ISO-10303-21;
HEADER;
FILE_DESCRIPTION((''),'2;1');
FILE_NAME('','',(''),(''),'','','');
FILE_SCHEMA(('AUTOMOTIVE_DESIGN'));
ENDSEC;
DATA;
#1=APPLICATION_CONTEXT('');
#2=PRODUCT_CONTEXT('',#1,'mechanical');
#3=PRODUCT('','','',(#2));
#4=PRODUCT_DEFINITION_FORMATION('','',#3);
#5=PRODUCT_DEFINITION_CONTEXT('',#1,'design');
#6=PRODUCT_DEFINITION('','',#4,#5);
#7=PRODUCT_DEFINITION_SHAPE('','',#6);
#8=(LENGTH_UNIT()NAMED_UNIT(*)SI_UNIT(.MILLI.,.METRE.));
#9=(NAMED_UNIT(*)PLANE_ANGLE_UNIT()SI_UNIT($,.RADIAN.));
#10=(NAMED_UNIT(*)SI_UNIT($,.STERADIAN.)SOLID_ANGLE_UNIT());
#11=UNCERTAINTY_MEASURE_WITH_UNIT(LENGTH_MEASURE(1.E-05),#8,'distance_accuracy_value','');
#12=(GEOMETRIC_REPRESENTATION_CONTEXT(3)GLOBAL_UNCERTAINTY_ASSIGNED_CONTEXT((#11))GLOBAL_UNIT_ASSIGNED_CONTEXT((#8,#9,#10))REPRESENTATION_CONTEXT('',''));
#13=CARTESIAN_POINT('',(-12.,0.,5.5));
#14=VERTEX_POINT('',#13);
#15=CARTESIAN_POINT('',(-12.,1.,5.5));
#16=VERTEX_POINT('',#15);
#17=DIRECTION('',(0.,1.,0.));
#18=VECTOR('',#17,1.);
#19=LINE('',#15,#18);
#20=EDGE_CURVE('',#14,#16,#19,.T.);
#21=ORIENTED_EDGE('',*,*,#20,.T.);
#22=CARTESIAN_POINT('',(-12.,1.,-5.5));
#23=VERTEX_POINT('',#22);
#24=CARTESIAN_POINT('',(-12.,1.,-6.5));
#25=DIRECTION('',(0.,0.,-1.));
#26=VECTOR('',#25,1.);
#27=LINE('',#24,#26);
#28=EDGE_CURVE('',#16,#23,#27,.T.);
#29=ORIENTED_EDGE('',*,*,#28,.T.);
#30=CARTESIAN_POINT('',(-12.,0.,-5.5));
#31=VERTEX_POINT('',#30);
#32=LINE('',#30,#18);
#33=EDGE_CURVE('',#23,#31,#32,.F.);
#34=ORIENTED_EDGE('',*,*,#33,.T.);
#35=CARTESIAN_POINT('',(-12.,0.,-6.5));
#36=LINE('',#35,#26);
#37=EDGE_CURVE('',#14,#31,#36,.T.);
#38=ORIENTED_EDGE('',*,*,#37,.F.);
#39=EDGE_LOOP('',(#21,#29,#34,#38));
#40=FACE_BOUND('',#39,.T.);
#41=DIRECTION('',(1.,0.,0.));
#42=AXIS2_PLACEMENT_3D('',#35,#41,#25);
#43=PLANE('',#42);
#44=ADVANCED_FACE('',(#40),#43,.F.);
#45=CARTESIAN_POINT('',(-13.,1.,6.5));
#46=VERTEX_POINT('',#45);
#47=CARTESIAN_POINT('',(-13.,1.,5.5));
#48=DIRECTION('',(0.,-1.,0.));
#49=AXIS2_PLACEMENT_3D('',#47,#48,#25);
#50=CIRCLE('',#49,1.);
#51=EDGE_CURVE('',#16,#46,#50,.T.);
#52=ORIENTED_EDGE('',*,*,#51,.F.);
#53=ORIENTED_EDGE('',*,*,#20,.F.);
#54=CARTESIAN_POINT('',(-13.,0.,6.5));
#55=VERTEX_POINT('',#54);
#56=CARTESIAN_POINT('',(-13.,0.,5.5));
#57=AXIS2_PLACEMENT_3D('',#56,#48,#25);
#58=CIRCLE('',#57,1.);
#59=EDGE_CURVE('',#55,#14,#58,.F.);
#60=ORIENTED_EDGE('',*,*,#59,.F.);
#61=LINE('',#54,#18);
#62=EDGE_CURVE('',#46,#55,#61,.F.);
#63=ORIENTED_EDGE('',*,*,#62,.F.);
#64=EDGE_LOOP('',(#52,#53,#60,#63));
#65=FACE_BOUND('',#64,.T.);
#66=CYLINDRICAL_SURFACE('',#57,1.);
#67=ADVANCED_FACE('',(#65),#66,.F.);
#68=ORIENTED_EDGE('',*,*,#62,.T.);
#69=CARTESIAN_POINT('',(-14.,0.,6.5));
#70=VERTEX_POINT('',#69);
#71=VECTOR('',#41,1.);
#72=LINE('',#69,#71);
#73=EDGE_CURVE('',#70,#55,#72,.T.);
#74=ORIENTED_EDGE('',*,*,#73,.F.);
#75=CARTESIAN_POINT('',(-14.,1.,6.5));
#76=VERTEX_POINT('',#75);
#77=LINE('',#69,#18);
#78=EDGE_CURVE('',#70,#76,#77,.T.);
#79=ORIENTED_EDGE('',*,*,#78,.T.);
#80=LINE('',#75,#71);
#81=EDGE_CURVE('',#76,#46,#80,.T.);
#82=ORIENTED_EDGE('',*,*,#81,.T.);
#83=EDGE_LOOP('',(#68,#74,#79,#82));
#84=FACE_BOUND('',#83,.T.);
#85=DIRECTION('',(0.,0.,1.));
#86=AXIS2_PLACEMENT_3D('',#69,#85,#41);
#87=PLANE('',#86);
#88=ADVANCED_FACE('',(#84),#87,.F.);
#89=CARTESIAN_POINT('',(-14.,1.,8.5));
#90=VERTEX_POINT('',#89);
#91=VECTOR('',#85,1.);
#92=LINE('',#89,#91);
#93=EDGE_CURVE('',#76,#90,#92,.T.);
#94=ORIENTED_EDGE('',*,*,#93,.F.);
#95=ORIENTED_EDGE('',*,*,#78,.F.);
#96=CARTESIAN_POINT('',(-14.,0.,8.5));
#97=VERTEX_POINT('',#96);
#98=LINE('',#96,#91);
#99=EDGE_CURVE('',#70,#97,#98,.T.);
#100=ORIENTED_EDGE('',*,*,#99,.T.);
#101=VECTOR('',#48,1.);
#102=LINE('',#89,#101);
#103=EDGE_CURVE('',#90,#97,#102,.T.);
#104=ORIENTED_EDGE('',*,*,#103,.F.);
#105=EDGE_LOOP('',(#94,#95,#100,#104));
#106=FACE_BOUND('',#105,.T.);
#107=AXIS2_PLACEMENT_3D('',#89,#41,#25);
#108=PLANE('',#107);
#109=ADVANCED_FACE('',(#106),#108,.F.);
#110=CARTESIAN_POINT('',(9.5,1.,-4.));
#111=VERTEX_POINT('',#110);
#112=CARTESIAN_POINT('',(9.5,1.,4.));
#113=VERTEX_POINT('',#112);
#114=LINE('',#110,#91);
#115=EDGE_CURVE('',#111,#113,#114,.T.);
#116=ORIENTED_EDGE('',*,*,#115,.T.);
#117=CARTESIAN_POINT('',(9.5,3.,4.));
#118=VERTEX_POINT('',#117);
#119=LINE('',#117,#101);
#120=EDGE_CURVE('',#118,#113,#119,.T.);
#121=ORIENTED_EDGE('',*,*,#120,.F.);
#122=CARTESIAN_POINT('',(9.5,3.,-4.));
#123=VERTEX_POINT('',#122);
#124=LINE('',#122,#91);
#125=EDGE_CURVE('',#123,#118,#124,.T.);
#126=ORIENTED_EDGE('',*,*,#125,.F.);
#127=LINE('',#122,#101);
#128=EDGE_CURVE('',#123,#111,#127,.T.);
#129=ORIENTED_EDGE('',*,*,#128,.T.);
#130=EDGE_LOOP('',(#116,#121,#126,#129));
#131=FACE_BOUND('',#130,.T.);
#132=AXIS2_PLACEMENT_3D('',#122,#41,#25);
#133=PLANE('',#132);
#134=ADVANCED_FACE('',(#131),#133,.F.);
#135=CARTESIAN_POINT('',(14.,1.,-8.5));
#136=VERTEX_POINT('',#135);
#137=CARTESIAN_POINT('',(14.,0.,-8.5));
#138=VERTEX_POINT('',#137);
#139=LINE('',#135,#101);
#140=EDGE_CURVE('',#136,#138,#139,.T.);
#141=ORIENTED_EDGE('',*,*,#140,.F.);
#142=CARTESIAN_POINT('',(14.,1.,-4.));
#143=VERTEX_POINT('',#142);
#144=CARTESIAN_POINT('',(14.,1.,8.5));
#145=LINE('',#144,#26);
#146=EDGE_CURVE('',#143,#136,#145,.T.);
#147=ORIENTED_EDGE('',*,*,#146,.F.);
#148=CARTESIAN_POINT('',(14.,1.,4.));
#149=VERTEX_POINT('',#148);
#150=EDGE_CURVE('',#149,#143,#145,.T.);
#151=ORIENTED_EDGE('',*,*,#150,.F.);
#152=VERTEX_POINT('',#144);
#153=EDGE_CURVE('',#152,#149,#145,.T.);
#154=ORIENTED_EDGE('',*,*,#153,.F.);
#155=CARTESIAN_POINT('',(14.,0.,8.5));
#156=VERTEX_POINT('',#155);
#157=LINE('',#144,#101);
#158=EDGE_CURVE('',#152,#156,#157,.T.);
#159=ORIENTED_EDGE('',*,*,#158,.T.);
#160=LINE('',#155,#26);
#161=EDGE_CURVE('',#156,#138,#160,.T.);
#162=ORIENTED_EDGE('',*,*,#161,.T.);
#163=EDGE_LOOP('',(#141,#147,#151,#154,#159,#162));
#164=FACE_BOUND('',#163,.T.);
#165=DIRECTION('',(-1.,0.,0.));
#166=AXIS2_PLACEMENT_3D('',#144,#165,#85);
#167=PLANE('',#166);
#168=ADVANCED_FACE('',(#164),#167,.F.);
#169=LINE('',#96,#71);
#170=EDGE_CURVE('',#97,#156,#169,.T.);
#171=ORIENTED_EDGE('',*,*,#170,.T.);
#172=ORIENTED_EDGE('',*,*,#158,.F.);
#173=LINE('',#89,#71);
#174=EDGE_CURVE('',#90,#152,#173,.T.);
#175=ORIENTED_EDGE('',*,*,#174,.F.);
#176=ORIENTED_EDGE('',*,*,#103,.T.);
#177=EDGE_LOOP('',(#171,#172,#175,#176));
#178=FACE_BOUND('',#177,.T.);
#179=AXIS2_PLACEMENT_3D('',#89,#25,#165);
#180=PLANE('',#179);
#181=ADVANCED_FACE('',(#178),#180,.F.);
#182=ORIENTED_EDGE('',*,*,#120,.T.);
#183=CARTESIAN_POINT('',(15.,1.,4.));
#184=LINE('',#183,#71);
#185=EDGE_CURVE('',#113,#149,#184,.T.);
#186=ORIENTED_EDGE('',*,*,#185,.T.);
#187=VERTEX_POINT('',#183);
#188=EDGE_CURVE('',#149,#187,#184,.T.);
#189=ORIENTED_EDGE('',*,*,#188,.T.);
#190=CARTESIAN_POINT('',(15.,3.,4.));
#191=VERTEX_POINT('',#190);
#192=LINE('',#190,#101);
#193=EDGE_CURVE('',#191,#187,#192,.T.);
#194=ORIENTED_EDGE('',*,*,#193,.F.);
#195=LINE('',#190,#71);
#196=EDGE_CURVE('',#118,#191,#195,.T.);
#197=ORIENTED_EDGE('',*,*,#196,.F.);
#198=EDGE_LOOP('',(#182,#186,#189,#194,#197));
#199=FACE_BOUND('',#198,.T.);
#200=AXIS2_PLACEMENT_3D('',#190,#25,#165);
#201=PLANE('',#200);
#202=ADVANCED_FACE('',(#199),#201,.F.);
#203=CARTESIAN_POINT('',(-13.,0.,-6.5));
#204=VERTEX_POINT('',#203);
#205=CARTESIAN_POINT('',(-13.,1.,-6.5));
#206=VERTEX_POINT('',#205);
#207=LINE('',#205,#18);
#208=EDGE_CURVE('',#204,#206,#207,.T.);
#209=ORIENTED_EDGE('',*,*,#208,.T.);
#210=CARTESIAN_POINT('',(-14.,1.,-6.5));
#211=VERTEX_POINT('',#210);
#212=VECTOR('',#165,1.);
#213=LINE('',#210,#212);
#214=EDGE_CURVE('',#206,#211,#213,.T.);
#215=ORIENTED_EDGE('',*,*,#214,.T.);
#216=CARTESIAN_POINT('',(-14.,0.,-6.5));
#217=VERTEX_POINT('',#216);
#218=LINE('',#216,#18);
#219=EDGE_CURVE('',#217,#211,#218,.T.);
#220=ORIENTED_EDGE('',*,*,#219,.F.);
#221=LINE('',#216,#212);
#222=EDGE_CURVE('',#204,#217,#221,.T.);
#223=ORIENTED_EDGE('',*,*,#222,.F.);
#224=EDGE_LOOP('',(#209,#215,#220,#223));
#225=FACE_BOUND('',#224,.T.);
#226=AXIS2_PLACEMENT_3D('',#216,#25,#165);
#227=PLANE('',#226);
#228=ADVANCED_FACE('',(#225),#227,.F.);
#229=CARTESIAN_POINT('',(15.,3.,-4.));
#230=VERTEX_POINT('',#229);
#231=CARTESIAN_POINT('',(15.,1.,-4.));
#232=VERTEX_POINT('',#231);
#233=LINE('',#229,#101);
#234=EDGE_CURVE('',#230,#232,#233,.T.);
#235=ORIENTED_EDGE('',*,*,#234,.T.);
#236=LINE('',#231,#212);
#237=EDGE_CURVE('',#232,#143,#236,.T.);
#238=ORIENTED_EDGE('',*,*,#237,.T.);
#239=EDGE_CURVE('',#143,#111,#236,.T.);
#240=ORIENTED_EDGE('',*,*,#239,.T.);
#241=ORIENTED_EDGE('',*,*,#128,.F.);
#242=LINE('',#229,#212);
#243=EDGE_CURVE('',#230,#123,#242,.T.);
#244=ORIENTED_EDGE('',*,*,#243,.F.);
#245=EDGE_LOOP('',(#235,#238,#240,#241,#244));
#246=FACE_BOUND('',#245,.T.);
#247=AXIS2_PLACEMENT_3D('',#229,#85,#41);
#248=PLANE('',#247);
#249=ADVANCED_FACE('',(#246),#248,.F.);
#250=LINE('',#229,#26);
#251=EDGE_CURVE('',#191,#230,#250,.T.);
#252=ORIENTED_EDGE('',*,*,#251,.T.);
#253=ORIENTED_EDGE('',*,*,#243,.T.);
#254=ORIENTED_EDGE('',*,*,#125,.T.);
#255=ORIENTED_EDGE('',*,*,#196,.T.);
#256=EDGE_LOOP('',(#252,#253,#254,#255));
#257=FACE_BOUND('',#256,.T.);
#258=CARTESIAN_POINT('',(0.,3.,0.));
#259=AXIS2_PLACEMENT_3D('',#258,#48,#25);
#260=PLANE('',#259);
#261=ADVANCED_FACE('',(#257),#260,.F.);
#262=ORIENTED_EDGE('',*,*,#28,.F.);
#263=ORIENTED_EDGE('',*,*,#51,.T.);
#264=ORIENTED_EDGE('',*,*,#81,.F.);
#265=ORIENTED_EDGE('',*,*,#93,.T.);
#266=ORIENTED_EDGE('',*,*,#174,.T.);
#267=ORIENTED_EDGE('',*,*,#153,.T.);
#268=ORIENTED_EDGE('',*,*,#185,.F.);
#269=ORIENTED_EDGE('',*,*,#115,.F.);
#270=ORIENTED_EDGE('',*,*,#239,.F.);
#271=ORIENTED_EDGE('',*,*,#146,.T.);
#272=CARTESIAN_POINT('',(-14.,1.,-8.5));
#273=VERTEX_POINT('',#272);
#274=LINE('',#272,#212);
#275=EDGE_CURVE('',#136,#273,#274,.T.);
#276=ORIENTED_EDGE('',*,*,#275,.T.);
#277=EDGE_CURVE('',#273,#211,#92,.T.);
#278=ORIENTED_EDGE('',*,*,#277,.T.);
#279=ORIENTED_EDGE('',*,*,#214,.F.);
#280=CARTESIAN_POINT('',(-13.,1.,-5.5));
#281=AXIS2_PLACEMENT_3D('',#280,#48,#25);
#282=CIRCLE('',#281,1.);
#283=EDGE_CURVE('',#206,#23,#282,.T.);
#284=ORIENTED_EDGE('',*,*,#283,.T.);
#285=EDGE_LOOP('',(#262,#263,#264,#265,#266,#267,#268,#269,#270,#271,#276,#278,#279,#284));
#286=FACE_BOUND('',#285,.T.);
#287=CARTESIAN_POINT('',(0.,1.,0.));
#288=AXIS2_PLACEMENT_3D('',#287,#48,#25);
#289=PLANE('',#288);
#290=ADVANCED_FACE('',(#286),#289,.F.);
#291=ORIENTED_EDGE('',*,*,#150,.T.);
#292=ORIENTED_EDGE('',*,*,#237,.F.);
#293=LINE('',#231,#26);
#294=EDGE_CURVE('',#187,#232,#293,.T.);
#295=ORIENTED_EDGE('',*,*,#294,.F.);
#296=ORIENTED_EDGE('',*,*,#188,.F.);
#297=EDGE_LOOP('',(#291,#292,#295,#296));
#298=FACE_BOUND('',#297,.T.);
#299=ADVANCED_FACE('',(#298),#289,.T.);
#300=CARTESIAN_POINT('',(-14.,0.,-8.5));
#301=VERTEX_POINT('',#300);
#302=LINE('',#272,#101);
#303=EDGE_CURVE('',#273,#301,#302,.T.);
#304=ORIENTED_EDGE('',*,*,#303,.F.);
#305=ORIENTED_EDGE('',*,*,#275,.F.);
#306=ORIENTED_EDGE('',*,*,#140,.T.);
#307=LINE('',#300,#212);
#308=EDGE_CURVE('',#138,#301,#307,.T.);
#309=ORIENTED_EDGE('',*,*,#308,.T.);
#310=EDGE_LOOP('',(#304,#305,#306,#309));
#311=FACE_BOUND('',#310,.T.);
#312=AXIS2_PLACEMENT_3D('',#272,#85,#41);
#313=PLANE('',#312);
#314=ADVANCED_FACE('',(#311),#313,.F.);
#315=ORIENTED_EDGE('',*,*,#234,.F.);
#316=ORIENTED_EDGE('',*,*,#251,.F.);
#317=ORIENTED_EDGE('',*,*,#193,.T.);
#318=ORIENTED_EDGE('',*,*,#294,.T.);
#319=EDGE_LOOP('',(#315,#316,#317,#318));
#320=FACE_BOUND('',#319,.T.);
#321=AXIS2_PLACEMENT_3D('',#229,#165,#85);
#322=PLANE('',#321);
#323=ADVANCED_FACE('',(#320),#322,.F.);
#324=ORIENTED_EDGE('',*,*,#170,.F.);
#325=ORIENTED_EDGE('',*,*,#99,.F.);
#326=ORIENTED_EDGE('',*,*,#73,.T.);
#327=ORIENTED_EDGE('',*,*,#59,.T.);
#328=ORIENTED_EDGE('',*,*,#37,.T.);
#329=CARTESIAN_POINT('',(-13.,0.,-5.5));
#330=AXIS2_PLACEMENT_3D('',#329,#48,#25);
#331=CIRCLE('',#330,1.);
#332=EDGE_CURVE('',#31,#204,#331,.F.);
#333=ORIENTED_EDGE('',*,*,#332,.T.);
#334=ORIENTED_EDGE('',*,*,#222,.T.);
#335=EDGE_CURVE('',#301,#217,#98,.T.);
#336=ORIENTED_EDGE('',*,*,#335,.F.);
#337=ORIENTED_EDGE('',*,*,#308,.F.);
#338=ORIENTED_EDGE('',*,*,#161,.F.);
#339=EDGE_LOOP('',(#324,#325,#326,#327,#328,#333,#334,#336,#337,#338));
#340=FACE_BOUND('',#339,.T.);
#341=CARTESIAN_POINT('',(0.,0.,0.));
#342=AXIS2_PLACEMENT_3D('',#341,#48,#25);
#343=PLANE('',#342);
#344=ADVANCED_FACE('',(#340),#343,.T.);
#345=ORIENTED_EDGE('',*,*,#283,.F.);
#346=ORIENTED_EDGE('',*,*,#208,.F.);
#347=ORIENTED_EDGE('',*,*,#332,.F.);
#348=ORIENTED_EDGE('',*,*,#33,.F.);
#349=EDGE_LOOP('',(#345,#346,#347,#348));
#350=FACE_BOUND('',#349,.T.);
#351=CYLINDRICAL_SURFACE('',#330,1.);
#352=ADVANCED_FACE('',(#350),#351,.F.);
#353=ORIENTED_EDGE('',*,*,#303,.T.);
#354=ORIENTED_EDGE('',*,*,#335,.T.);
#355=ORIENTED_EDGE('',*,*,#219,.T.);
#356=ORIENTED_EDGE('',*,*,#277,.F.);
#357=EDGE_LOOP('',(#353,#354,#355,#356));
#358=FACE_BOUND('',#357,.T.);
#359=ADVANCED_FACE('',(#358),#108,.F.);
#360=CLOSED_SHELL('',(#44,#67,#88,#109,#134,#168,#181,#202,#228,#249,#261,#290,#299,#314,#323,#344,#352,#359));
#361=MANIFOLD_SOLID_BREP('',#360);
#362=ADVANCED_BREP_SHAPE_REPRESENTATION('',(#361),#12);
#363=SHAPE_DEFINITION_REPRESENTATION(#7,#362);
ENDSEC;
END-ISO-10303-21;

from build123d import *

# Parameters (mm, degrees)
SKETCH1_W           = 28
SKETCH1_H           = 17
BOSS_EXTRUDE1_DEPTH = 1
SKETCH2_W           = 5.5
SKETCH2_H           = 8
BOSS_EXTRUDE2_DEPTH = 2
SKETCH3_W           = 2
SKETCH3_H           = 13
CUT_EXTRUDE1_DEPTH  = 18.356554958
FILLET1_R           = 1


with BuildPart() as part:
    # Sketch1 → Boss-Extrude1 (new body)
    with BuildSketch(Plane(origin=(0, 0, 0), x_dir=(1, 0, 0), z_dir=(0, 1, 0))):
        Rectangle(SKETCH1_W, SKETCH1_H)
    extrude(amount=BOSS_EXTRUDE1_DEPTH)

    # Sketch2 → Boss-Extrude2 (add)
    with BuildSketch(Plane(origin=(0, 1, 0), x_dir=(1, 0, 0), z_dir=(0, 1, 0))):
        with Locations((12.25, 0)):
            Rectangle(SKETCH2_W, SKETCH2_H)
    extrude(amount=BOSS_EXTRUDE2_DEPTH)

    # Sketch3 → Cut-Extrude1 (cut, through all)
    with BuildSketch(Plane(origin=(0, 1, 0), x_dir=(1, 0, 0), z_dir=(0, 1, 0))):
        with Locations((-13, 0)):
            Rectangle(SKETCH3_W, SKETCH3_H)
    extrude(amount=-CUT_EXTRUDE1_DEPTH, mode=Mode.SUBTRACT)

    # Fillet1
    fillet1_edges = [part.edges().sort_by_distance(p)[0] for p in [
        (-12, 0.5, -6.5),
        (-12, 0.5, 6.5),
    ]]
    fillet(fillet1_edges, radius=FILLET1_R)


solid = part.part
